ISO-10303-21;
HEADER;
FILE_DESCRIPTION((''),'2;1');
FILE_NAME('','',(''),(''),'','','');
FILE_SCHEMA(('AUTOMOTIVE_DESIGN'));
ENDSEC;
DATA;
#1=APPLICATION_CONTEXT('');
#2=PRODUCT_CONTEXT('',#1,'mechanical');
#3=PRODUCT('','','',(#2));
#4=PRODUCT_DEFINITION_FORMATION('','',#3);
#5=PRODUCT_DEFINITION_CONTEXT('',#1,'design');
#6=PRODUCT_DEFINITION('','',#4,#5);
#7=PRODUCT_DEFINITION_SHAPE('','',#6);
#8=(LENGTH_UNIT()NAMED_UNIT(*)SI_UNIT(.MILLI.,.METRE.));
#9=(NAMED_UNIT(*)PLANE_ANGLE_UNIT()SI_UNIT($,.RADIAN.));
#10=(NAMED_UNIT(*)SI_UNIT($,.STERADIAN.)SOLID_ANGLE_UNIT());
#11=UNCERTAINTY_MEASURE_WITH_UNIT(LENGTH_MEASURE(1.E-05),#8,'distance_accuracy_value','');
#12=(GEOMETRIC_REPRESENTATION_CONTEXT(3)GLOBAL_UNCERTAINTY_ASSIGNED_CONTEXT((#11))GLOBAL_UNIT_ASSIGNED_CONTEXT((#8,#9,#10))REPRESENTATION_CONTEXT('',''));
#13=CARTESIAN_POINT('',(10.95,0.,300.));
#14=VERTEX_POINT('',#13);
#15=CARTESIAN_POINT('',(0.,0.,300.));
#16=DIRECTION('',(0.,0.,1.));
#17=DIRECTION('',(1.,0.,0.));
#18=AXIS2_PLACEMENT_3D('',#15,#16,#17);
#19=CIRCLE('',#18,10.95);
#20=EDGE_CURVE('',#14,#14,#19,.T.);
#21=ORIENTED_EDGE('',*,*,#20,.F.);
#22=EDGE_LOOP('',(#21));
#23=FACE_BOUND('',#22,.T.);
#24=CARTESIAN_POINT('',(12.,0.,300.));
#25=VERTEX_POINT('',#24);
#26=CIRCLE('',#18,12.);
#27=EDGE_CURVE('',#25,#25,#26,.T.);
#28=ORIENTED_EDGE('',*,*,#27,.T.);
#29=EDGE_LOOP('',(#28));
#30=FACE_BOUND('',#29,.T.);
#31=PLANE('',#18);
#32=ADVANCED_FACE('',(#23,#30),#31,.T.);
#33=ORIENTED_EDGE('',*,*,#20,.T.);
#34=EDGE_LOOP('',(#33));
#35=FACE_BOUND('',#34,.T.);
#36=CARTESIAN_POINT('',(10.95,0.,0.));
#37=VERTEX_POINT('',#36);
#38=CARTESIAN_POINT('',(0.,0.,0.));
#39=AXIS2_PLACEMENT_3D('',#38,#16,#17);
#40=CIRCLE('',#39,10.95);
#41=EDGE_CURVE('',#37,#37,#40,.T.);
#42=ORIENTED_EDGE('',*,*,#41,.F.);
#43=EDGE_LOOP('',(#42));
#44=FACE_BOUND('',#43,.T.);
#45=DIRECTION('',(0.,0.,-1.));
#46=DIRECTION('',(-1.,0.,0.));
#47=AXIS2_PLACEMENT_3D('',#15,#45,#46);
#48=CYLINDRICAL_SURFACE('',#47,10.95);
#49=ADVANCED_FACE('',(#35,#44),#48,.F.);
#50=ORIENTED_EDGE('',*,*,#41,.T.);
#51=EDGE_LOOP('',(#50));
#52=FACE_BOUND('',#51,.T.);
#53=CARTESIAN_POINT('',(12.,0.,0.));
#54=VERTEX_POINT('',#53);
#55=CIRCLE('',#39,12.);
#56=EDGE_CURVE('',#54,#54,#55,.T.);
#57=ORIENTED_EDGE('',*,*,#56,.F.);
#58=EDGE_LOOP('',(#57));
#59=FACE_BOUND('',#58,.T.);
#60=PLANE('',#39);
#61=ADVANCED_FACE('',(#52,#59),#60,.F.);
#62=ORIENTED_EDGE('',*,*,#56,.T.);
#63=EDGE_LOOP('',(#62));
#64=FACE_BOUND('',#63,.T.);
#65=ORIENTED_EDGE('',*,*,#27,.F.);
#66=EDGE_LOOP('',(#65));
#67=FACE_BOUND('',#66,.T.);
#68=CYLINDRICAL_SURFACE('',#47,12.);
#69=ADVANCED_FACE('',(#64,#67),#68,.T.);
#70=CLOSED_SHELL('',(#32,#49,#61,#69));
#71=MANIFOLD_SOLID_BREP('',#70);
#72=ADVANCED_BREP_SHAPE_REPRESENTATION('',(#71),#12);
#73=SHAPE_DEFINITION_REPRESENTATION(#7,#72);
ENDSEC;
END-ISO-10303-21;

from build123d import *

# Parameters (mm, degrees)
ESQUISSE5_R        = 12
ESQUISSE5_R_2      = 10.95
BOSS_EXTRU_1_DEPTH = 300


with BuildPart() as part:
    # Esquisse5 → Boss.-Extru.1 (new body)
    with BuildSketch(Plane.XY):
        Circle(ESQUISSE5_R)
        Circle(ESQUISSE5_R_2, mode=Mode.SUBTRACT)
    extrude(amount=BOSS_EXTRU_1_DEPTH)


solid = part.part
